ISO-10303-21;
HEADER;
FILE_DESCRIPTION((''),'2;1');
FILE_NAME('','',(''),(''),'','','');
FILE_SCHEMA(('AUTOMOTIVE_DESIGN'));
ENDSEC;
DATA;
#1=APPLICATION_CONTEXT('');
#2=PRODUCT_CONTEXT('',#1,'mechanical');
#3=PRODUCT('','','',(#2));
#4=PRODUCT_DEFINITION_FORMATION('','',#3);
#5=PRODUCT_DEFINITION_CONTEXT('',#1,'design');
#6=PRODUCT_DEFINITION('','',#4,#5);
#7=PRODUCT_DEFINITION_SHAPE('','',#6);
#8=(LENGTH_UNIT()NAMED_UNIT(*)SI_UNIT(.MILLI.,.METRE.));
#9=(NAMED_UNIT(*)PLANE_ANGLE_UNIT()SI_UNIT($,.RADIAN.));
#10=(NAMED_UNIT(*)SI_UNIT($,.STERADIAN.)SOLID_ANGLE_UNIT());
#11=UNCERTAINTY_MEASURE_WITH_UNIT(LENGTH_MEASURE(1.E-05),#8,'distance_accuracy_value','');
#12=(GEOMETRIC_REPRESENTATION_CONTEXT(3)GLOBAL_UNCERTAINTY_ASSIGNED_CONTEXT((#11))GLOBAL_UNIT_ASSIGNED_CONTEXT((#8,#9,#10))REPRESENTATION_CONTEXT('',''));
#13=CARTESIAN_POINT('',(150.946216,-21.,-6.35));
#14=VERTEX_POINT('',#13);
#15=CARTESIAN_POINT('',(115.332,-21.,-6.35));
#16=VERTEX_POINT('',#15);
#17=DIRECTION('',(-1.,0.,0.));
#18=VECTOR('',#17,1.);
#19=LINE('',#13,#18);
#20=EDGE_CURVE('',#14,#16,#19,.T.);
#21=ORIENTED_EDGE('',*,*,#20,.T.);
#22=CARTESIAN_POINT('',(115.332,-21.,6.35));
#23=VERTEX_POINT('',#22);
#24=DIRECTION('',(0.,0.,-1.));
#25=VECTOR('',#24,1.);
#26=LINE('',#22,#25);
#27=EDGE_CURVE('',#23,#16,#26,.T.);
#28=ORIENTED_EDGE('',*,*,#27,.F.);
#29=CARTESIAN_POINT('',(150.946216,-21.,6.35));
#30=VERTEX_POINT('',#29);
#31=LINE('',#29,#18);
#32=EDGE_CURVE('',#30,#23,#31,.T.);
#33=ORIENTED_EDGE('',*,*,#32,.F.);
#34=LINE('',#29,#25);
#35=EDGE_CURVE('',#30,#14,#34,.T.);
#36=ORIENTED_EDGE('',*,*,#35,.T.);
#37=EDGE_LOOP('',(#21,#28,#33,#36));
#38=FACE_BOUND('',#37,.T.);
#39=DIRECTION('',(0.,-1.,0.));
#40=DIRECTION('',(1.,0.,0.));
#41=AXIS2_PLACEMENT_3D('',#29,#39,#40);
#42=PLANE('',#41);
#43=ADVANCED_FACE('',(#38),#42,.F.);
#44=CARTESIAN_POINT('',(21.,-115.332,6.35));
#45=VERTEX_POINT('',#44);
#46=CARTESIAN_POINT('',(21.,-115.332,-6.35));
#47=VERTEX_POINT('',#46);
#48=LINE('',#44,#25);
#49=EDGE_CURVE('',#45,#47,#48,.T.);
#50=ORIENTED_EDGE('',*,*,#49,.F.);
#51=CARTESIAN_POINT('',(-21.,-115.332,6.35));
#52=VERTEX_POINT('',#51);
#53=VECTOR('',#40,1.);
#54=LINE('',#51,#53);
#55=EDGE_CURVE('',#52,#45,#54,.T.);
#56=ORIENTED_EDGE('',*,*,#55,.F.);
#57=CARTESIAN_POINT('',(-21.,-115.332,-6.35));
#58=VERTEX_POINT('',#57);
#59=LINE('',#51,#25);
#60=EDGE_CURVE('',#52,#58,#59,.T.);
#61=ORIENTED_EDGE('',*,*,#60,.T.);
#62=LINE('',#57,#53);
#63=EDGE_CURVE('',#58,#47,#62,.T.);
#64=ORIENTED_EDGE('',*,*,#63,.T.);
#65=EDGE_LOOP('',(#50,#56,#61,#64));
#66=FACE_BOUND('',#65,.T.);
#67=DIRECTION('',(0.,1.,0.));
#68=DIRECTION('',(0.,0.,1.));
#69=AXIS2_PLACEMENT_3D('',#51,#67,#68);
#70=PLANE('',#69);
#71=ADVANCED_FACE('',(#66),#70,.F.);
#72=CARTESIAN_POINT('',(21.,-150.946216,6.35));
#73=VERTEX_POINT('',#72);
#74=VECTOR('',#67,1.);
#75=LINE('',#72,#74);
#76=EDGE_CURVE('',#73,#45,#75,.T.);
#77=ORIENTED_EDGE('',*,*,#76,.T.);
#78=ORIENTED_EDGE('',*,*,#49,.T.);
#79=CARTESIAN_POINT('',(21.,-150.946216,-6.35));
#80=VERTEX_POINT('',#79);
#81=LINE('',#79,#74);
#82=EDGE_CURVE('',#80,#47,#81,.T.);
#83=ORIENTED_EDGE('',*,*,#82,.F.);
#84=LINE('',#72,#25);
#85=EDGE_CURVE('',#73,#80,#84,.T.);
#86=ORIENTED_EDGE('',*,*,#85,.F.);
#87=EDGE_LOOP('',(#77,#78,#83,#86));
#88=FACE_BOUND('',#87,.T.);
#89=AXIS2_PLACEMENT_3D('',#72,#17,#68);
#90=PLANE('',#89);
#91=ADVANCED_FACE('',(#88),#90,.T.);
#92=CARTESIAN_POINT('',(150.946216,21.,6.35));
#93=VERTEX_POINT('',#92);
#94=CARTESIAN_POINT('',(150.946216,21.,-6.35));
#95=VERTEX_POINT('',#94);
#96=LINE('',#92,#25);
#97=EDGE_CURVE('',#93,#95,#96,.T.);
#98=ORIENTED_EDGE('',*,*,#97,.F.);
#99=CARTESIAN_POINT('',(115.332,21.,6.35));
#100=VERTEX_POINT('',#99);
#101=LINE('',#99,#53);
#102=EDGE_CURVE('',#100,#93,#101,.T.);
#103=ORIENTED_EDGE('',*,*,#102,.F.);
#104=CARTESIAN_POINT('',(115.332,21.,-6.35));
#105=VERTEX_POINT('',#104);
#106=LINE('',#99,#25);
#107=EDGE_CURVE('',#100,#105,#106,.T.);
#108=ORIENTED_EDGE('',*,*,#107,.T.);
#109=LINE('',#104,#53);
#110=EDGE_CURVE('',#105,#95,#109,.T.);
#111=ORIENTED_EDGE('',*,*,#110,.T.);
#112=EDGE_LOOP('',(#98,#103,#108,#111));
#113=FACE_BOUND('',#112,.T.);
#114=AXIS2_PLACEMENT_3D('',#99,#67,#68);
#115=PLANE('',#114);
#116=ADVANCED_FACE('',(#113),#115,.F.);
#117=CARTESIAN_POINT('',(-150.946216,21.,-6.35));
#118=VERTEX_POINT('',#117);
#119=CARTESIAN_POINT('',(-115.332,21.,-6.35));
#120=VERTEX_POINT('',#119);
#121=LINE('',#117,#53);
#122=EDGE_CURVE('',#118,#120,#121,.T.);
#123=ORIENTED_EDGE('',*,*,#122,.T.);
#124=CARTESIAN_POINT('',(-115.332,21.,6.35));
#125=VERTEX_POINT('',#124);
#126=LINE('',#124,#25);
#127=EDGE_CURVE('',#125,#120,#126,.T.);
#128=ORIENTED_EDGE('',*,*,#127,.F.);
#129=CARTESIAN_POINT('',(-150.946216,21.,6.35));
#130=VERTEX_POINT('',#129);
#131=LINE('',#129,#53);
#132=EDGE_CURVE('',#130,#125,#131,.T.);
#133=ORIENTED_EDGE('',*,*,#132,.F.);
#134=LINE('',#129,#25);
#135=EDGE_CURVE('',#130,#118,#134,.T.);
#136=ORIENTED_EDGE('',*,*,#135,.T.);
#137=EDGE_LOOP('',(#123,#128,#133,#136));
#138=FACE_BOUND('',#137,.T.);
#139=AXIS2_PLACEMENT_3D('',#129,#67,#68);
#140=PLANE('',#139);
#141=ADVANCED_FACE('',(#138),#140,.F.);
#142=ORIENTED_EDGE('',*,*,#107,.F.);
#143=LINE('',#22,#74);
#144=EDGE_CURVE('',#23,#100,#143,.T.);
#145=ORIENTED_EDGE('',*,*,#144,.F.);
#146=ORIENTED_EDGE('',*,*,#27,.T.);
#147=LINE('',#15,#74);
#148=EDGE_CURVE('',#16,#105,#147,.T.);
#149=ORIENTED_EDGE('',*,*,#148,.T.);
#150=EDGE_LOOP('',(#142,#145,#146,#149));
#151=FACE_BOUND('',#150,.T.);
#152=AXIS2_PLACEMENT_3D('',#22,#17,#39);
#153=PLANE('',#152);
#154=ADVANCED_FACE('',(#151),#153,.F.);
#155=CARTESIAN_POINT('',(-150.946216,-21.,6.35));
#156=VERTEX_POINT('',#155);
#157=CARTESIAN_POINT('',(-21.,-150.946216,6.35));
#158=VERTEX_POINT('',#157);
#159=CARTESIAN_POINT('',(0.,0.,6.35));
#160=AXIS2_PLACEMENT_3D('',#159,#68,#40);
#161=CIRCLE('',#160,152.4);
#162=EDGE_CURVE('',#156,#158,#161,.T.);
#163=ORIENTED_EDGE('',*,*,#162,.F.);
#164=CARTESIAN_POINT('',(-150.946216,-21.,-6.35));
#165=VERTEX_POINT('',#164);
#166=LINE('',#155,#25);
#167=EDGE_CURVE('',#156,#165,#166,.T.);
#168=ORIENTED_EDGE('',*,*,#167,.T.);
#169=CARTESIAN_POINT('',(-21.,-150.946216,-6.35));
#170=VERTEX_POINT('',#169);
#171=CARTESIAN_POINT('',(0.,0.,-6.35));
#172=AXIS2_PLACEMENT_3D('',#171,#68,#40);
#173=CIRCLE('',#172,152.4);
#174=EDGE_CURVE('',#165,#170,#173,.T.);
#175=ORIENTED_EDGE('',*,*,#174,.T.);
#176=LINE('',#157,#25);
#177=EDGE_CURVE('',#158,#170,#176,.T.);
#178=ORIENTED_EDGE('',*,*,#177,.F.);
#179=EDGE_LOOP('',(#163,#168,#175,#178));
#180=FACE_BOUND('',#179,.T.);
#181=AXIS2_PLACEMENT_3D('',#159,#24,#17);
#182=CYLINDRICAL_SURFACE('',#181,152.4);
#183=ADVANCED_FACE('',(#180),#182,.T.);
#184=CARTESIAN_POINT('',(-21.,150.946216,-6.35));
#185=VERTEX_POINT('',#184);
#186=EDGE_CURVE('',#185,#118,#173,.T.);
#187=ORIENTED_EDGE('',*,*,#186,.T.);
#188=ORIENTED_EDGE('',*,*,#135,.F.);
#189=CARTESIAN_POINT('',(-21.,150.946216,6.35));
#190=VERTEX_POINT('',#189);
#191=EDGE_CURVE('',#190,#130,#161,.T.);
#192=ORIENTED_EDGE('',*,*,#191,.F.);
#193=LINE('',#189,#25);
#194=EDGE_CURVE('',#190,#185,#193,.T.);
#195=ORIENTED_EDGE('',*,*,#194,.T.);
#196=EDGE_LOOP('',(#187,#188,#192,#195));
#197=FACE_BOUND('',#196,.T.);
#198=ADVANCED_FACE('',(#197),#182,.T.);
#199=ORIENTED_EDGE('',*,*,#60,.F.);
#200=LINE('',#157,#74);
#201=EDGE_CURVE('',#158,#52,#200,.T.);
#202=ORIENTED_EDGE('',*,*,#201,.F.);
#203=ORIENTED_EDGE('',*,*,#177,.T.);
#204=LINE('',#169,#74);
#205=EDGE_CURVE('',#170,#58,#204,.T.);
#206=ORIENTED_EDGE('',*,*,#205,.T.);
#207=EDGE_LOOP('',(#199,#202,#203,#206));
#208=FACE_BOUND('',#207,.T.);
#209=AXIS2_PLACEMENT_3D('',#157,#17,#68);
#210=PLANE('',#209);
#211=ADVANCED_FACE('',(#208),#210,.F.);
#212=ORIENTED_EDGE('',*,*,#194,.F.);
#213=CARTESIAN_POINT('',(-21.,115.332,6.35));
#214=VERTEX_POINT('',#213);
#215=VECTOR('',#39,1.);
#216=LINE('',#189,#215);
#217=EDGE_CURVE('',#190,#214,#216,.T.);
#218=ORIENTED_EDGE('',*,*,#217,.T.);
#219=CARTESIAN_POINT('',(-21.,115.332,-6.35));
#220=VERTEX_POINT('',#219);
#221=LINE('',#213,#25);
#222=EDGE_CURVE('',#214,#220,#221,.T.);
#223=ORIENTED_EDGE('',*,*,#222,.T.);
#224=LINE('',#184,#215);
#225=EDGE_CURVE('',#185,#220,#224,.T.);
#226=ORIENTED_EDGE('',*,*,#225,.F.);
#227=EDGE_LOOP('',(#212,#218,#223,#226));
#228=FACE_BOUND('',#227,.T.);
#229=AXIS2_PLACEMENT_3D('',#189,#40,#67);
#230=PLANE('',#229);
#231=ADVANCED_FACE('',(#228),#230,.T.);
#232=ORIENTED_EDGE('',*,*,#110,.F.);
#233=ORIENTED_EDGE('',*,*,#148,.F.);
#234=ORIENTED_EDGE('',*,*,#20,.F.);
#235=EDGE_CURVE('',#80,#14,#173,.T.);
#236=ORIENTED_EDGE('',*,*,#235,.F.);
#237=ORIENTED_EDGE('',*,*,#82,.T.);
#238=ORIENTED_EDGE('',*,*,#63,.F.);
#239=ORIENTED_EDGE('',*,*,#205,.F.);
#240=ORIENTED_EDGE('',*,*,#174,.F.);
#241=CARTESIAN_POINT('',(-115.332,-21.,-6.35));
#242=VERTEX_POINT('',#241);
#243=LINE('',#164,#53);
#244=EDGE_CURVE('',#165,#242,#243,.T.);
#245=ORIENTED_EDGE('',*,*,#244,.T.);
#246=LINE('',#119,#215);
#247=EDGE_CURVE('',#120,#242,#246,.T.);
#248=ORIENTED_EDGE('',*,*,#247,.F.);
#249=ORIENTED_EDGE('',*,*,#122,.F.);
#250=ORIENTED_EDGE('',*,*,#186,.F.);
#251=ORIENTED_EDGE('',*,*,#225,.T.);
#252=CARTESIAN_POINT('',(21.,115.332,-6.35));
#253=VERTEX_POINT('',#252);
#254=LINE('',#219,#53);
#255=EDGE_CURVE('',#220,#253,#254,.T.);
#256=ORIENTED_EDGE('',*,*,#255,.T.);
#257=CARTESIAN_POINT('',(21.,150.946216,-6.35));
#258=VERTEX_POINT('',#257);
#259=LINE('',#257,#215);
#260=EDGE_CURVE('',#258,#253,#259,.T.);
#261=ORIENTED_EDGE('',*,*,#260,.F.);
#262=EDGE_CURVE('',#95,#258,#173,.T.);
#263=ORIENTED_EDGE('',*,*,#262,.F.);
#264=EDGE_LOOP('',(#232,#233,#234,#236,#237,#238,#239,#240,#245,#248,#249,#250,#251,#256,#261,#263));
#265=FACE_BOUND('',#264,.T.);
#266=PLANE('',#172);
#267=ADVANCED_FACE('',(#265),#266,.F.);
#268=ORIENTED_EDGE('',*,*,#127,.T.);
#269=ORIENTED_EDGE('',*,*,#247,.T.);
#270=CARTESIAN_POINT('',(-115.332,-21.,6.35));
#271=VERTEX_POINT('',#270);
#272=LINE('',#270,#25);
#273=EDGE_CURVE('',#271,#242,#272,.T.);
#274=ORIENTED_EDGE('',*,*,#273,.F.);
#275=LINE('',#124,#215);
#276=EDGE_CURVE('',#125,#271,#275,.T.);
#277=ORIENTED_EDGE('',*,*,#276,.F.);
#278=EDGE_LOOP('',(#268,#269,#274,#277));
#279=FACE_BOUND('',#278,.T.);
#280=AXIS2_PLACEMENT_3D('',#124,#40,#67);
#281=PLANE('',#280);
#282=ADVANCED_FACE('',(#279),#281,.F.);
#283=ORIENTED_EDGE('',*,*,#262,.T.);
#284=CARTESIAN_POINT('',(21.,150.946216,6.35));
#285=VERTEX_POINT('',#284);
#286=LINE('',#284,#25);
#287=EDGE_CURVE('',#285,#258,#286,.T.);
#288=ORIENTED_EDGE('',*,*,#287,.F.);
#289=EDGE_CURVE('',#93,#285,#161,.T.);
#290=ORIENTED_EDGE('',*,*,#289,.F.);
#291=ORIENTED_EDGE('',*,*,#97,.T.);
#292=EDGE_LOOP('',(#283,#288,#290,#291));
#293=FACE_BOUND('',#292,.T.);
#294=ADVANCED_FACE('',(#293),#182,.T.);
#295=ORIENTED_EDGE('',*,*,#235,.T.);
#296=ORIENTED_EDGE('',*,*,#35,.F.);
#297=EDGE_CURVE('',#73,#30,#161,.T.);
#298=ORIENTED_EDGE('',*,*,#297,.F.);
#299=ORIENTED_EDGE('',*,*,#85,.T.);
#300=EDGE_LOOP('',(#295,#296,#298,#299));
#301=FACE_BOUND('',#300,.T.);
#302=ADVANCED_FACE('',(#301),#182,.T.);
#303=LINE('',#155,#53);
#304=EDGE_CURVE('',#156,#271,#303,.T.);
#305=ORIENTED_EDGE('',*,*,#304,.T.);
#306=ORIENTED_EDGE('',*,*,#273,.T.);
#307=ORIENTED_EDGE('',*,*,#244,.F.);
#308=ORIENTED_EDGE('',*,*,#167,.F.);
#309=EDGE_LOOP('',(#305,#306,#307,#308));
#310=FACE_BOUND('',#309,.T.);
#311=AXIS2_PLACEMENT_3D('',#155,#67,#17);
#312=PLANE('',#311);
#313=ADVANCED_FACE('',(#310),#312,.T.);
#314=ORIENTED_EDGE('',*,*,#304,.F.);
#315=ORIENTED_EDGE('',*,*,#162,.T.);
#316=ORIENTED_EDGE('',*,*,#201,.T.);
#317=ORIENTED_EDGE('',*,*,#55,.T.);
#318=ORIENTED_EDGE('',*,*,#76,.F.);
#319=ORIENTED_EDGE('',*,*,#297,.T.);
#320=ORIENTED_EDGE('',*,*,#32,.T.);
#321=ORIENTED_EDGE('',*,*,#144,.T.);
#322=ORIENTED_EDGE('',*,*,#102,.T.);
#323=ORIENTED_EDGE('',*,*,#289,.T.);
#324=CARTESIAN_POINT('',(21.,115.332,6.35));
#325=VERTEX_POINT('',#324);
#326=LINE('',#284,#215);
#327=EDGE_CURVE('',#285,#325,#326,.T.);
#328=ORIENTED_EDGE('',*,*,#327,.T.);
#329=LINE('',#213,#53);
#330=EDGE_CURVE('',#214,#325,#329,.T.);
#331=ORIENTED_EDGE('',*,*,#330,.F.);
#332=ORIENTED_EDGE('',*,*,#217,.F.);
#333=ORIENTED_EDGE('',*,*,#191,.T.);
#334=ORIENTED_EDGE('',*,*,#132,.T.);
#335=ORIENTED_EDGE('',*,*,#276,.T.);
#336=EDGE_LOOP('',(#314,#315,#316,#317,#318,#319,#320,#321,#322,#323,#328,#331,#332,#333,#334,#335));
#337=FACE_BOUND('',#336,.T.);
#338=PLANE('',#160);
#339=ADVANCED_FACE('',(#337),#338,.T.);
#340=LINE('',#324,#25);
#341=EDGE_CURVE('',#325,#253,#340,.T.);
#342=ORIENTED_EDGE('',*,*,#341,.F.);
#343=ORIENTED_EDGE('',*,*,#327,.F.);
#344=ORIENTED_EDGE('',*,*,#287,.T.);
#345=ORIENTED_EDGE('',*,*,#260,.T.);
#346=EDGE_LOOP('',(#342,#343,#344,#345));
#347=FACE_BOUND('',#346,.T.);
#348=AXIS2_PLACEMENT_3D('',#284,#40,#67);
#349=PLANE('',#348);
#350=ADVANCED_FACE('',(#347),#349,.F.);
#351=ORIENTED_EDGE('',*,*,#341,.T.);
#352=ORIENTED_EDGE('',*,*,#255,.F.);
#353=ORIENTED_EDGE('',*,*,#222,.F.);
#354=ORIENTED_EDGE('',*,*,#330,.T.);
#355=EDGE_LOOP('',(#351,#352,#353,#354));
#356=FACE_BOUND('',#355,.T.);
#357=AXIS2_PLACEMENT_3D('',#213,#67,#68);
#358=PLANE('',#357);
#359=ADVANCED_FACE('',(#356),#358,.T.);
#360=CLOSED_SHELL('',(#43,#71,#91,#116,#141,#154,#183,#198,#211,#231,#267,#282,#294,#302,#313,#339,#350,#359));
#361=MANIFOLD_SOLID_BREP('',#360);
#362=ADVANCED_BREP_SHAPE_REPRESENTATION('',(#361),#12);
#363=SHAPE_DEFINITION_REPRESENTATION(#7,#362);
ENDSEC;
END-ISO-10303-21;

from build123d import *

# Parameters (mm, degrees)
BOSS_EXTRUDE1_DEPTH = 6.35


with BuildPart() as part:
    # Sketch1 → Boss-Extrude1 (new, symmetric)
    with BuildSketch(Plane.XY):
        with BuildLine():
            Line((150.946215587, -21), (115.332, -21))
            Line((115.332, -21), (115.332, 21))
            Line((115.332, 21), (150.946215587, 21))
            ThreePointArc((150.946215587, 21), (107.763073453, 107.763073453), (21, 150.946215587))
            Line((21, 150.946215587), (21, 115.332))
            Line((21, 115.332), (-21, 115.332))
            Line((-21, 115.332), (-21, 150.946215587))
            ThreePointArc((-21, 150.946215587), (-107.763073453, 107.763073453), (-150.946215587, 21))
            Line((-150.946215587, 21), (-115.332, 21))
            Line((-115.332, 21), (-115.332, -21))
            Line((-115.332, -21), (-150.946215587, -21))
            ThreePointArc((-150.946215587, -21), (-107.763073453, -107.763073453), (-21, -150.946215587))
            Line((-21, -150.946215587), (-21, -115.332))
            Line((-21, -115.332), (21, -115.332))
            Line((21, -115.332), (21, -150.946215587))
            ThreePointArc((21, -150.946215587), (107.763073453, -107.763073453), (150.946215587, -21))
        make_face()
    extrude(amount=BOSS_EXTRUDE1_DEPTH, both=True)


solid = part.part
